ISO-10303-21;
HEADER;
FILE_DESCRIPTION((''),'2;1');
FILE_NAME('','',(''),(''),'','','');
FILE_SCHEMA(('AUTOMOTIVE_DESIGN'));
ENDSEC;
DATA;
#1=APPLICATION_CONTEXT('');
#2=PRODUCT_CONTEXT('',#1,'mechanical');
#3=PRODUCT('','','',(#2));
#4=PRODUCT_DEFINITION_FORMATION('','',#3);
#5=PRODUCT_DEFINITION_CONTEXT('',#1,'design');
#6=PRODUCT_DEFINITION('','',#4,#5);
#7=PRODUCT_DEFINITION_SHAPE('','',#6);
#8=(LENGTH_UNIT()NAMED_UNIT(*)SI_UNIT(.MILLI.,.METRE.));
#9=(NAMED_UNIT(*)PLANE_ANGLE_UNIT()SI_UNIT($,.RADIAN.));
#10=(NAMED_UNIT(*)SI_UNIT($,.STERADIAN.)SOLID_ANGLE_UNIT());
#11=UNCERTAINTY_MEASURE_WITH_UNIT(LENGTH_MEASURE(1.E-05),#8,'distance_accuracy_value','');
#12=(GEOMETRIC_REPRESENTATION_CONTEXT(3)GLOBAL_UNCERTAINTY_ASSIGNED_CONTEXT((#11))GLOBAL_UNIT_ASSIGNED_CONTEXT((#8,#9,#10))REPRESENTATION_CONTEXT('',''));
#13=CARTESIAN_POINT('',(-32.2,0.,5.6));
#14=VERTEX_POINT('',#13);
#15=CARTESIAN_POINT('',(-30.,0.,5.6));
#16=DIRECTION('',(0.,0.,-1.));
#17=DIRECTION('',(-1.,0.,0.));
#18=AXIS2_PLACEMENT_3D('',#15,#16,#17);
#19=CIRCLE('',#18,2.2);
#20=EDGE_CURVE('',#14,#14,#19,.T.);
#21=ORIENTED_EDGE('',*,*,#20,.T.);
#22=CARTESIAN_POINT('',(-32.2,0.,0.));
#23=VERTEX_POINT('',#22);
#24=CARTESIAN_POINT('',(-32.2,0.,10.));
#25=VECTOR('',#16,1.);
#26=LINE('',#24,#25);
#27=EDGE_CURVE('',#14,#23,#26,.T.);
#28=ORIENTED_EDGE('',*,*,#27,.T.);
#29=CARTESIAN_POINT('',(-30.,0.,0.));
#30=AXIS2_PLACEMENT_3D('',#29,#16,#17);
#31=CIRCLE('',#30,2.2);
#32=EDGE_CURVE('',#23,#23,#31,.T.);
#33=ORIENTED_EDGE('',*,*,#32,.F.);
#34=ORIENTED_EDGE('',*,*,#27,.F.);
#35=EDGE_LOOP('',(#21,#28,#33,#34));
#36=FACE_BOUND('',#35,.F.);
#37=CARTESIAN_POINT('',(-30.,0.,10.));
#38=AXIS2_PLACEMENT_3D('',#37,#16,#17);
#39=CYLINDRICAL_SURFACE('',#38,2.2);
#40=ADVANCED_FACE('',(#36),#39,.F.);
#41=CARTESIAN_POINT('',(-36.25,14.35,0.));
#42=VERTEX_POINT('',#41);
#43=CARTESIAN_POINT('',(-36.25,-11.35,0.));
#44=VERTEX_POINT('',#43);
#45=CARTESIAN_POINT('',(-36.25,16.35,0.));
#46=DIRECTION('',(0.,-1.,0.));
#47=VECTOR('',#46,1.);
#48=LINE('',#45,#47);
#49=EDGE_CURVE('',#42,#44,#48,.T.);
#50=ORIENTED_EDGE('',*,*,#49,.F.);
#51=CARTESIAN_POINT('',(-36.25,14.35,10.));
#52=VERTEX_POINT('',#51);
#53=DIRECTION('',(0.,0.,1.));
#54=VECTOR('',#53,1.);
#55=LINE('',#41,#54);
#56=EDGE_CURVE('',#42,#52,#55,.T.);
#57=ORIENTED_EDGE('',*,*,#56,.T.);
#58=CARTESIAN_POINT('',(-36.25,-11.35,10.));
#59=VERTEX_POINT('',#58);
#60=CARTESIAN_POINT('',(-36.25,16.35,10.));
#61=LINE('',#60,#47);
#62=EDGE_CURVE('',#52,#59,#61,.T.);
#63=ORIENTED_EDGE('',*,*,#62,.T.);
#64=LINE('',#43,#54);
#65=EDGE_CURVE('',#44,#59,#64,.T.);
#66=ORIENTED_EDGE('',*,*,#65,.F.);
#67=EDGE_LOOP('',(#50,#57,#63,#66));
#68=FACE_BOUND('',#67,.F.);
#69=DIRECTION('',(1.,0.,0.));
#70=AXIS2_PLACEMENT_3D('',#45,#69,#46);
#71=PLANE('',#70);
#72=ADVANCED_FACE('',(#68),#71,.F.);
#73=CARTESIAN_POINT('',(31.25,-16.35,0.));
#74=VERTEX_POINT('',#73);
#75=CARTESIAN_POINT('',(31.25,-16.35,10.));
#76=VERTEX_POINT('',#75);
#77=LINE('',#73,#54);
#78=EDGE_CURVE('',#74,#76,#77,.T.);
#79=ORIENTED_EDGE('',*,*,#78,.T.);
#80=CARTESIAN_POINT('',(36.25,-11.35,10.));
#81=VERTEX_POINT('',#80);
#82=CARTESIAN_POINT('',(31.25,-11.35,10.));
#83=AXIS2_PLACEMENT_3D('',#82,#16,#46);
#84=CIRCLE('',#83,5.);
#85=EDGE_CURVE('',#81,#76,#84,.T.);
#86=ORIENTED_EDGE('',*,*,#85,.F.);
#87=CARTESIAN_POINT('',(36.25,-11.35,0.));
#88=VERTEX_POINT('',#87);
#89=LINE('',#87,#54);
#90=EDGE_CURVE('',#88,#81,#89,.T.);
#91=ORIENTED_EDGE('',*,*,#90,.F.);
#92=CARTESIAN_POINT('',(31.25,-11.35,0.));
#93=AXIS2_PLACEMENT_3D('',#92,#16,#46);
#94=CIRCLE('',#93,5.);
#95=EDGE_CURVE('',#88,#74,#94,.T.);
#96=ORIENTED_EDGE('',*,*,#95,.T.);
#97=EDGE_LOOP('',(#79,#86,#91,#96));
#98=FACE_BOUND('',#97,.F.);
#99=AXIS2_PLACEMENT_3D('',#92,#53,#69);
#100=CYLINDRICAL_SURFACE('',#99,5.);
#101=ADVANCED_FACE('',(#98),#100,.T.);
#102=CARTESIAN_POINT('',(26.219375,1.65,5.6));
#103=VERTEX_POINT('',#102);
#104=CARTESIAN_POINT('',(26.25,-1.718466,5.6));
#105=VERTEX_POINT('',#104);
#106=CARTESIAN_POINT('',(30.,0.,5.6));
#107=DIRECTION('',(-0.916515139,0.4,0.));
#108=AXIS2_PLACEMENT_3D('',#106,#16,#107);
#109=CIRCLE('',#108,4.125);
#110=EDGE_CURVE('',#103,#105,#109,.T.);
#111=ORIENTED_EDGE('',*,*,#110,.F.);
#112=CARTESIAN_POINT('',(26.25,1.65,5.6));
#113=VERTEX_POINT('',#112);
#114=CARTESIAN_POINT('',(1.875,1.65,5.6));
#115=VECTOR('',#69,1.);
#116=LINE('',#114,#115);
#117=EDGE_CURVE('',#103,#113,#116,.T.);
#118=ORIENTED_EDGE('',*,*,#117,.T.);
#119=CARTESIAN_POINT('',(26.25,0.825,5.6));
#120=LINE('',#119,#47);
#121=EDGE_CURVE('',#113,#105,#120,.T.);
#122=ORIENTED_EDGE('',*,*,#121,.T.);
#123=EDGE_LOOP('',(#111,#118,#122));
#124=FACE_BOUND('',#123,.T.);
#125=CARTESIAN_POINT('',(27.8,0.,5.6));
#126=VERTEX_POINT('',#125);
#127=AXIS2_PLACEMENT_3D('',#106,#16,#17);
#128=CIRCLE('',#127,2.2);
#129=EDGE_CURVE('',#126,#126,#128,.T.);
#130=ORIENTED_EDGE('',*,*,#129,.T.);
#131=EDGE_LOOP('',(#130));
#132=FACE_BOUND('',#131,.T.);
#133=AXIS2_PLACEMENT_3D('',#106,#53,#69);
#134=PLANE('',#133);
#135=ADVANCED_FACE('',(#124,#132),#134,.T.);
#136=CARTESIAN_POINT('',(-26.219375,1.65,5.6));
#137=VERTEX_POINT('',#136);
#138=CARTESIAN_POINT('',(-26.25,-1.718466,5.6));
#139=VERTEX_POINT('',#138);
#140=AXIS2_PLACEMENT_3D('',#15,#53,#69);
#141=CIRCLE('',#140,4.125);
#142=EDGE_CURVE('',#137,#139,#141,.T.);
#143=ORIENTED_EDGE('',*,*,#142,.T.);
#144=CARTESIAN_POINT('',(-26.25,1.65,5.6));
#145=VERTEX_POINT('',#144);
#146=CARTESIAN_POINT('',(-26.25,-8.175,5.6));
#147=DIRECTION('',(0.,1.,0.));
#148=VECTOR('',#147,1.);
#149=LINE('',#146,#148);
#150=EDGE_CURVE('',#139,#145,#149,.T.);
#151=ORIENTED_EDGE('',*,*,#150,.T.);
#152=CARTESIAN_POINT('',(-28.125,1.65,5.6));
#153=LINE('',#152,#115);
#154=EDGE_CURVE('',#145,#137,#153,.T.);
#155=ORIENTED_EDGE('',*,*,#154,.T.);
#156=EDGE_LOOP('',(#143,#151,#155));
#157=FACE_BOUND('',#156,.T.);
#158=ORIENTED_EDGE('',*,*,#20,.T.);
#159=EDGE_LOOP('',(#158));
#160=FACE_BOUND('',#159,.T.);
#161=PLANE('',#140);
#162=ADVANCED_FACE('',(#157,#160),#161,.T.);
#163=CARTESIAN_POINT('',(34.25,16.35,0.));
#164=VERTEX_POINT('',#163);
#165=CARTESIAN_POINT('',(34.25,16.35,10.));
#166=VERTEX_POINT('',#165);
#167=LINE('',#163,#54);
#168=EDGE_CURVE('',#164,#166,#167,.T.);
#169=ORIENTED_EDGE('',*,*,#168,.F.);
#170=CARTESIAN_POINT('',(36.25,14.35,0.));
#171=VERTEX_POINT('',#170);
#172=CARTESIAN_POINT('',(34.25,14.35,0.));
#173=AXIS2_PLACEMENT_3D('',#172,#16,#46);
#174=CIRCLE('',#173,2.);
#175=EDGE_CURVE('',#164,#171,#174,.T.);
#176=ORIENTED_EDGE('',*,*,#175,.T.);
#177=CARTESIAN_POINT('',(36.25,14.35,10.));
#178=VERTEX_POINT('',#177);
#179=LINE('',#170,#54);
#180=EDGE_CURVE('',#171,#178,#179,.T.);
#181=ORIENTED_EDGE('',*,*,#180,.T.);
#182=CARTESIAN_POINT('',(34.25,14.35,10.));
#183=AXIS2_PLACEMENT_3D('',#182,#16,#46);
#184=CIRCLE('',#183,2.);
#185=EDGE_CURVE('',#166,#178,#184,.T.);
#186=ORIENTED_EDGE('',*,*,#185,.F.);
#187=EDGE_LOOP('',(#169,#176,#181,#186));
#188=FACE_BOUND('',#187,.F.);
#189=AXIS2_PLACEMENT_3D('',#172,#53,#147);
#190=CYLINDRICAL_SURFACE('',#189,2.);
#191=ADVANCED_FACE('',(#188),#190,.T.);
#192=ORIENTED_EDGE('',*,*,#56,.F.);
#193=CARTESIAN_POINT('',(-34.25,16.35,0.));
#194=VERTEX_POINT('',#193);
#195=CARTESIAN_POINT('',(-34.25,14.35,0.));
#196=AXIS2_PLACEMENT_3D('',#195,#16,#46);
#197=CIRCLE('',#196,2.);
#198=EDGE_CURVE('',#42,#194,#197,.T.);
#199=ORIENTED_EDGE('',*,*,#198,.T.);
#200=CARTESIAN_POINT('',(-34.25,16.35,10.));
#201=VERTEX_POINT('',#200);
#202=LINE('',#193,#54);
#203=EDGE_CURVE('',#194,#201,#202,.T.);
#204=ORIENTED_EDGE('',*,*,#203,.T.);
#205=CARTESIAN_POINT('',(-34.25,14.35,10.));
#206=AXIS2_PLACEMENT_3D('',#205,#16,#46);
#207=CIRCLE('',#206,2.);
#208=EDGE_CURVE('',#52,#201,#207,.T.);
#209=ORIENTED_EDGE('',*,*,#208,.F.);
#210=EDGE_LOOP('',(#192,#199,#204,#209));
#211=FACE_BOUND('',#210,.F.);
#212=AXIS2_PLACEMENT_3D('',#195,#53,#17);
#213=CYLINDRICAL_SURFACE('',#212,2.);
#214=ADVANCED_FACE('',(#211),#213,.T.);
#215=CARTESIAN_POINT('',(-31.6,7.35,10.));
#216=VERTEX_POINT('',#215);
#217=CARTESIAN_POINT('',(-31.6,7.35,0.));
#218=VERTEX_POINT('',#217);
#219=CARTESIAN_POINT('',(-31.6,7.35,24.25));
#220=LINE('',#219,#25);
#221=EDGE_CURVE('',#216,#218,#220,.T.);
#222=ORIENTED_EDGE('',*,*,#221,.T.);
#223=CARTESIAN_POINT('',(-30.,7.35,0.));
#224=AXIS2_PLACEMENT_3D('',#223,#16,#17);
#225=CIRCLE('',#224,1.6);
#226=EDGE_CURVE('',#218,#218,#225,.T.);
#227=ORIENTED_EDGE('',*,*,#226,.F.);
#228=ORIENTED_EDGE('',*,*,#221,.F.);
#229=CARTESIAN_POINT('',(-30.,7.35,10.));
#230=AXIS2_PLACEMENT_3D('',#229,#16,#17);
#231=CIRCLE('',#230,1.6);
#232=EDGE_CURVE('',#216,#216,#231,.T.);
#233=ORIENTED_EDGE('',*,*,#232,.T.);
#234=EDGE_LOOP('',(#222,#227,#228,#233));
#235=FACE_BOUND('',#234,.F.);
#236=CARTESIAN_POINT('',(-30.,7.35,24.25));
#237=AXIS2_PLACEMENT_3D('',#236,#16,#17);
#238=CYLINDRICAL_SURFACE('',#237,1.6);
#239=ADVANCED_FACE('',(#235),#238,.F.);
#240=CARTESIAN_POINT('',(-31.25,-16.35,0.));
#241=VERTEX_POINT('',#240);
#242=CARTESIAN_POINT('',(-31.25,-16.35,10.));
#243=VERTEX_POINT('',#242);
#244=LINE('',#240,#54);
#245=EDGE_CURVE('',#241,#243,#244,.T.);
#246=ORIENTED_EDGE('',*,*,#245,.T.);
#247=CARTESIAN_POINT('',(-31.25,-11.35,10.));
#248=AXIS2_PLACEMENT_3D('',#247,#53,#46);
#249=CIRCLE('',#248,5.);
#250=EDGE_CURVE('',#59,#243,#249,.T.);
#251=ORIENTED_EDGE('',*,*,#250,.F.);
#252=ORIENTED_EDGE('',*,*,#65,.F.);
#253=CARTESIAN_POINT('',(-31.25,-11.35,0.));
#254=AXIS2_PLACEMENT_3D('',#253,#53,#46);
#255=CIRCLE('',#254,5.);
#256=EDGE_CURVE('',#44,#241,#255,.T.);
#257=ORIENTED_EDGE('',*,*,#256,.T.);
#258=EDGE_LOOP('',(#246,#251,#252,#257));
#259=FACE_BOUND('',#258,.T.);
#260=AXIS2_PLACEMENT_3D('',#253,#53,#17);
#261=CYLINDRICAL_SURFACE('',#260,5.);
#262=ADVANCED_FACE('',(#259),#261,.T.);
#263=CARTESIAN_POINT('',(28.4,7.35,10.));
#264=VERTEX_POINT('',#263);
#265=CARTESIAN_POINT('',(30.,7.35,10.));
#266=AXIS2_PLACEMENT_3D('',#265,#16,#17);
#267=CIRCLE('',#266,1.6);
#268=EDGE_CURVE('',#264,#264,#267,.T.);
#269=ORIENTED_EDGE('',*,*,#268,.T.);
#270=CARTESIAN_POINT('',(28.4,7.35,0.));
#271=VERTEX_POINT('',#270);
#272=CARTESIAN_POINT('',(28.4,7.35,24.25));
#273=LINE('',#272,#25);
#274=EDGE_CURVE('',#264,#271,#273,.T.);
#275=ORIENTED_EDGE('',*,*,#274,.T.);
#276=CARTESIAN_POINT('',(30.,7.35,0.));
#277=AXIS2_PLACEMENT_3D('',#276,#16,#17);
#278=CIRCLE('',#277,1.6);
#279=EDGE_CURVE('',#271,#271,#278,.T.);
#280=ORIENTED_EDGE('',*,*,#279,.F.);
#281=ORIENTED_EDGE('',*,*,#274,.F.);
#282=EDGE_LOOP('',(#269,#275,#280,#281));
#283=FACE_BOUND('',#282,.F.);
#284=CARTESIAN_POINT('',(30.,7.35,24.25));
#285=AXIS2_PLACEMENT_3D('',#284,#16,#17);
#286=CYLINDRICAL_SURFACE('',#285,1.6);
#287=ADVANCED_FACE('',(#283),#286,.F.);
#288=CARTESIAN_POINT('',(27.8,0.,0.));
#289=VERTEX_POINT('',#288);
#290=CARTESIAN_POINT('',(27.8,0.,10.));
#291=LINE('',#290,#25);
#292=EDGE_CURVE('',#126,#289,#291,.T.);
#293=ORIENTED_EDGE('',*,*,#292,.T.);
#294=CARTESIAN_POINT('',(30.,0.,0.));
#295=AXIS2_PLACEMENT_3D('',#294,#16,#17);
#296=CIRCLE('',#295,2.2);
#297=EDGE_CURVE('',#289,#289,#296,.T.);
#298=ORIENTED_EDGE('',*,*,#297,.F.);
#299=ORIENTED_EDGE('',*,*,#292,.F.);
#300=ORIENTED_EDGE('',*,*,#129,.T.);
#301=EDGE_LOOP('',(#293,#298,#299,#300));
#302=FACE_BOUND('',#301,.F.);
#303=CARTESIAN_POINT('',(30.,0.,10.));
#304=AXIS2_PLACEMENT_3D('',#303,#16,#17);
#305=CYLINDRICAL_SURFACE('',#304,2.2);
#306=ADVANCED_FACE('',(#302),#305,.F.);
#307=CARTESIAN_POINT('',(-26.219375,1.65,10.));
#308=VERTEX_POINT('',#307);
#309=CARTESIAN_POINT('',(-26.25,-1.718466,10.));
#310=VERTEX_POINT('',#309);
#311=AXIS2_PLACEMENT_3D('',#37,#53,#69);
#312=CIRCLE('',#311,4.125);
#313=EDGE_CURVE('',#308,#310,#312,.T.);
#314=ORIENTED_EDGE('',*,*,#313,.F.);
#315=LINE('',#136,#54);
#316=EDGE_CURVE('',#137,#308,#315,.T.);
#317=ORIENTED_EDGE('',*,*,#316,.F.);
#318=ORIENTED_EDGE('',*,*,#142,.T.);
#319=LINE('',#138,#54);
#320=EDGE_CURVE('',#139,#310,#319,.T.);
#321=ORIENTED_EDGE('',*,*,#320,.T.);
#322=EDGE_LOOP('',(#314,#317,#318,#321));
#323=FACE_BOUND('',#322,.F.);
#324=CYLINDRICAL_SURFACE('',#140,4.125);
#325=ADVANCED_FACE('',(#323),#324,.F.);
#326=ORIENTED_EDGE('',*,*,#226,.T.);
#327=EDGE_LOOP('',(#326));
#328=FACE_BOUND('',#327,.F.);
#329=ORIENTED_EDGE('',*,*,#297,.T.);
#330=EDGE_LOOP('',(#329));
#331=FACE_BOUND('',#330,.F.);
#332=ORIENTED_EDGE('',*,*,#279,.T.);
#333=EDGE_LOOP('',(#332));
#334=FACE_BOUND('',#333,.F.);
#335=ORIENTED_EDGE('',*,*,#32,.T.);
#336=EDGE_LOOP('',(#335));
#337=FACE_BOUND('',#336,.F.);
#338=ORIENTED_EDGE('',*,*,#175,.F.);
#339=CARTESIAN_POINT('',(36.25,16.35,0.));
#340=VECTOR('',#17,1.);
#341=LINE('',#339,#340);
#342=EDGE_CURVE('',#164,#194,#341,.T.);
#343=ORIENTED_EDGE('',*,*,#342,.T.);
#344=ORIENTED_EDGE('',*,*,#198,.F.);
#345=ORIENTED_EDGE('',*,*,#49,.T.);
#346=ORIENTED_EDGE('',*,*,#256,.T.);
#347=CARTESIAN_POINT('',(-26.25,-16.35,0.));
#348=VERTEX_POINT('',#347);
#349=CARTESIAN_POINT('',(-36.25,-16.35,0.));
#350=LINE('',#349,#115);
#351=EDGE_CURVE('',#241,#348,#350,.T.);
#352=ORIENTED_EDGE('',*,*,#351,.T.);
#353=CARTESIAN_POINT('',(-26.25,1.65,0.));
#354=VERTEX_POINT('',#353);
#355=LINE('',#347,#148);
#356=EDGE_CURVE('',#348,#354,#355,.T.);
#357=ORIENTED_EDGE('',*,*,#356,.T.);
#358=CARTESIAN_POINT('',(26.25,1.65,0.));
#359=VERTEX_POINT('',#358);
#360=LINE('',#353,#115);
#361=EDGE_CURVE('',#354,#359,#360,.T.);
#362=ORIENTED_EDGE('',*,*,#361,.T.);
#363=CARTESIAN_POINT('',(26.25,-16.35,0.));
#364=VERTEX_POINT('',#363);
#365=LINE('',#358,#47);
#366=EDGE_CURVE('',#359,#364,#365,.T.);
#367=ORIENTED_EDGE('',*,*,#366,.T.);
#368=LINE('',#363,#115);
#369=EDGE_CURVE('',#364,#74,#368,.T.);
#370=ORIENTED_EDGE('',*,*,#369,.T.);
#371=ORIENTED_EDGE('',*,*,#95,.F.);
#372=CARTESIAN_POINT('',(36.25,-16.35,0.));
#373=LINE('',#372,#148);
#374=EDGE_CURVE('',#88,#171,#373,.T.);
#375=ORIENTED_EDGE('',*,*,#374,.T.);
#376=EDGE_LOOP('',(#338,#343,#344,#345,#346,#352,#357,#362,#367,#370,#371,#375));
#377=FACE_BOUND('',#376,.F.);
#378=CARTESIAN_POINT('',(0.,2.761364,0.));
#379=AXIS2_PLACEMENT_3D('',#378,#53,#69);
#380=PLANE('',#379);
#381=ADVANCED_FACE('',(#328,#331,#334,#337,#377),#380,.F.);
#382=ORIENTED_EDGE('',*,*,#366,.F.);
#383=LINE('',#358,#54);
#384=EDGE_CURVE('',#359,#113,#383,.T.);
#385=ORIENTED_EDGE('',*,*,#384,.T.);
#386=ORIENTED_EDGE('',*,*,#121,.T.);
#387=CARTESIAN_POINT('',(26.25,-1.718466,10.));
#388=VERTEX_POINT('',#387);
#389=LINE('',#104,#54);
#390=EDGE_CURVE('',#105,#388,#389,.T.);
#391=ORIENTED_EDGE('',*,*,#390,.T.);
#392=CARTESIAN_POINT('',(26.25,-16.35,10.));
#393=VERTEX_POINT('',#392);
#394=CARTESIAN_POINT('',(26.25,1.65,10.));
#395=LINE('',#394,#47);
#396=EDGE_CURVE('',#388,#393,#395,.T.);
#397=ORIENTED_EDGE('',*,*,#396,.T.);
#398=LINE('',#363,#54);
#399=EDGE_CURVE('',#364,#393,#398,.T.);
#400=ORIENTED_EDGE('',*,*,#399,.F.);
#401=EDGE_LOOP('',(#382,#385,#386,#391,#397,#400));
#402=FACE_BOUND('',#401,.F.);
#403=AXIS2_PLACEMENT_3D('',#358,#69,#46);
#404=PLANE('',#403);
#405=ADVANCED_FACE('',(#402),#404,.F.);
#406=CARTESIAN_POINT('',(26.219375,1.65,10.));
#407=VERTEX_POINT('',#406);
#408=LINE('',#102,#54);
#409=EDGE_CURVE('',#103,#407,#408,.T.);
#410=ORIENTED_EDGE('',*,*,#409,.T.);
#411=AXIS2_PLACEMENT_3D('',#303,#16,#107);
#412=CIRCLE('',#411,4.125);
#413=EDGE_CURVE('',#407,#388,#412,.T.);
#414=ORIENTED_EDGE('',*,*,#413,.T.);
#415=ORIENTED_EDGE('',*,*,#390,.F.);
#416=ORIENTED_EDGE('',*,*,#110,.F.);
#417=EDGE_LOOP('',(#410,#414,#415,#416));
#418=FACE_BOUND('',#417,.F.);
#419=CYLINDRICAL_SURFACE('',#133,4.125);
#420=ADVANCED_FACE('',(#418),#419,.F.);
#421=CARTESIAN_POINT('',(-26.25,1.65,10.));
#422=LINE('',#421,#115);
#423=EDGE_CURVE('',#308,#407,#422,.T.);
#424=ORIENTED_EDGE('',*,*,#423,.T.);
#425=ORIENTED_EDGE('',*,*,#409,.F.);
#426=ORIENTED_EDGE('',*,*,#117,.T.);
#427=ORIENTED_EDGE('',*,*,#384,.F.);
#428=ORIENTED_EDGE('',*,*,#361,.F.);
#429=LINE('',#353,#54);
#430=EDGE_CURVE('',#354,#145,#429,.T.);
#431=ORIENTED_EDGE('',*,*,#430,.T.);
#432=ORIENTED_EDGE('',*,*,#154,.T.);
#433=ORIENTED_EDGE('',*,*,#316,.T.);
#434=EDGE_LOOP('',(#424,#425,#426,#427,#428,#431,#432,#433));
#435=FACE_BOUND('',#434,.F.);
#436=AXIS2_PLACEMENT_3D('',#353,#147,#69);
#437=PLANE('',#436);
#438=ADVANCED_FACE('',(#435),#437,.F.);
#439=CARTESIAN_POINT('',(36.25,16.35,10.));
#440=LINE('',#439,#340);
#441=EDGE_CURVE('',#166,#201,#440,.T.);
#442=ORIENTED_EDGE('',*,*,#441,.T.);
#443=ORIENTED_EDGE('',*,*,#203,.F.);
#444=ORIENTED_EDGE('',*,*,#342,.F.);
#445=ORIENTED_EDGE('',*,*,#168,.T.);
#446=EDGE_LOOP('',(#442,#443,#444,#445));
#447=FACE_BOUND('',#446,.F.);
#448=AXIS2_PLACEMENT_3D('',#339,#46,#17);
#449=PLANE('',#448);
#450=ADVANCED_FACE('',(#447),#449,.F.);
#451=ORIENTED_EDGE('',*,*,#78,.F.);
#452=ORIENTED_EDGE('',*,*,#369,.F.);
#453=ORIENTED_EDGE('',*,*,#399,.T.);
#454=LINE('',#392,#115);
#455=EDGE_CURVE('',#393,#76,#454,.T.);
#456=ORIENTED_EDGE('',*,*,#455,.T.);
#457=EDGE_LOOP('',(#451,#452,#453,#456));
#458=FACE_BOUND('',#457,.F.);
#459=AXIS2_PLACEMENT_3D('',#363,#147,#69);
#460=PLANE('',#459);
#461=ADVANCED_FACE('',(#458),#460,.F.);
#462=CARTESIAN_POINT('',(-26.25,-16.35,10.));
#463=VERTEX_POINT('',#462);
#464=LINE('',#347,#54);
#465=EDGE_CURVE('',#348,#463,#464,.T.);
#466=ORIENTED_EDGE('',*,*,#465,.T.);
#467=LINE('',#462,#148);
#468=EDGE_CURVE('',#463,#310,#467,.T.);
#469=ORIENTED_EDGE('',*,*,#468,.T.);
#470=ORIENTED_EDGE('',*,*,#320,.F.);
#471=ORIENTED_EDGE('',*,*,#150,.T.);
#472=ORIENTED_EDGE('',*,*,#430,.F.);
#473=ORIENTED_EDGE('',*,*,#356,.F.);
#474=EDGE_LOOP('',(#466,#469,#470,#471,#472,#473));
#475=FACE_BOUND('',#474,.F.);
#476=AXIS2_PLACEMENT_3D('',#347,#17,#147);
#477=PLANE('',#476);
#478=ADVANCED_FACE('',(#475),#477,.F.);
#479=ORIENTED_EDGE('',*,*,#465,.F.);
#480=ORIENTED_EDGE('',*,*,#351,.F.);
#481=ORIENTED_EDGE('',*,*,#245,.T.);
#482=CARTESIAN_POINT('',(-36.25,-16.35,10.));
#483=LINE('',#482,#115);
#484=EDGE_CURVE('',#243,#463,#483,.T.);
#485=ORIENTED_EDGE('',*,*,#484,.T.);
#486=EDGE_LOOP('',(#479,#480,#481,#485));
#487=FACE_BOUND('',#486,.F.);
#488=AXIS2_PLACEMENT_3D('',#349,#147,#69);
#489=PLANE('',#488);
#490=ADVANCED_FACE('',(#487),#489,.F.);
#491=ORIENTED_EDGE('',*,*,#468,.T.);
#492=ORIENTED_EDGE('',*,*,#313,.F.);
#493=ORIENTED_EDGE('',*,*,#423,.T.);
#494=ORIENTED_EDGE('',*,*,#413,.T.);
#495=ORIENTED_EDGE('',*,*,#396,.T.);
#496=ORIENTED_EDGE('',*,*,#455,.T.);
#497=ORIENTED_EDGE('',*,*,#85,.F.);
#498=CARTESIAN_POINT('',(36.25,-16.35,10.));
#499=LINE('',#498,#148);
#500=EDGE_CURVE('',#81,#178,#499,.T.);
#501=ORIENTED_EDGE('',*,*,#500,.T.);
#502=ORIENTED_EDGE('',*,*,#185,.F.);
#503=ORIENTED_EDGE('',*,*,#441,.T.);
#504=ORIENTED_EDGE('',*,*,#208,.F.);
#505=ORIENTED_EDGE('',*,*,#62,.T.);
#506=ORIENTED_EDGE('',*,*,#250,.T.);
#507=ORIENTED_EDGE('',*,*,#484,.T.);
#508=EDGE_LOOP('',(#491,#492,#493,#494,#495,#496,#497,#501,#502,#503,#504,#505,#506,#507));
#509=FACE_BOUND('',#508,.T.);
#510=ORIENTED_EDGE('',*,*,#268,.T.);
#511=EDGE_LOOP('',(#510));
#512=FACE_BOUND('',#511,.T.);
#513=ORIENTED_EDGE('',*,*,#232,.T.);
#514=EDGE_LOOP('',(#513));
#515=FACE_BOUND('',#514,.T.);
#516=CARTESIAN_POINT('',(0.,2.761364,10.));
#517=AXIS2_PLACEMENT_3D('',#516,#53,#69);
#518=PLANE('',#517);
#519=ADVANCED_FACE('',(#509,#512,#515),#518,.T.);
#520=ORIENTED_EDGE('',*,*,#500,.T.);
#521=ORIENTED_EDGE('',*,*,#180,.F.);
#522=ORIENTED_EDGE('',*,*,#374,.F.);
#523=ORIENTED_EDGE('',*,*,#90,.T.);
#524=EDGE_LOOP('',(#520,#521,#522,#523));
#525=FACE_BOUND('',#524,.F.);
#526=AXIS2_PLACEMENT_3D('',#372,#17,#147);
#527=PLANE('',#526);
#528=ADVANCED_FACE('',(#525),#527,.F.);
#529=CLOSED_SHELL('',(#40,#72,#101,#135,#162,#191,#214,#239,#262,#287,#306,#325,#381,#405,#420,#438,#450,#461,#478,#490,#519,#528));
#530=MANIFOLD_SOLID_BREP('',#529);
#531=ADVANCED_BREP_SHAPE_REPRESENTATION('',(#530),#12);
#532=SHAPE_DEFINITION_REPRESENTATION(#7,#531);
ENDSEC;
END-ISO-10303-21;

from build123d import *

# Parameters (mm, degrees)
F1_DEPTH       = 10
F3_D           = 3.2
F3_DEPTH       = 14.25
F3_TIP         = 0.9613769904
F4_R           = 5
F5_R           = 2
F7_D           = 4.4
F7_CBORE_D     = 8.25
F7_CBORE_DEPTH = 4.4


with BuildPart() as f1:
    # F0 (on Top) → F1 (new body)
    with BuildSketch(Plane.XY):
        Polygon((-36.25, 16.35), (-36.25, -16.35), (-26.25, -16.35), (-26.25, 1.65), (26.25, 1.65), (26.25, -16.35), (36.25, -16.35), (36.25, 16.35), align=None)
    extrude(amount=F1_DEPTH)

    # F3
    with Locations(Plane.XY.offset(10)):
        with Locations((-30, 7.35), (30, 7.35)):
            Hole(F3_D / 2, depth=F3_DEPTH)
            with Locations((0, 0, -(F3_DEPTH + F3_TIP / 2))):  # 118° drill point
                Cone(0, F3_D / 2, F3_TIP, mode=Mode.SUBTRACT)

    # F4
    f4_edges = [f1.edges().sort_by_distance(p)[0] for p in [
        (-36.25, -16.35, 5),
        (36.25, -16.35, 5),
    ]]
    fillet(f4_edges, radius=F4_R)

    # F5
    f5_edges = [f1.edges().sort_by_distance(p)[0] for p in [
        (36.25, 16.35, 5),
        (-36.25, 16.35, 5),
    ]]
    fillet(f5_edges, radius=F5_R)

    # F7 (through all)
    with Locations(Plane.XY.offset(10)):
        with Locations((-30, 0), (30, 0)):
            CounterBoreHole(F7_D / 2, F7_CBORE_D / 2, F7_CBORE_DEPTH)


solid = f1.part
